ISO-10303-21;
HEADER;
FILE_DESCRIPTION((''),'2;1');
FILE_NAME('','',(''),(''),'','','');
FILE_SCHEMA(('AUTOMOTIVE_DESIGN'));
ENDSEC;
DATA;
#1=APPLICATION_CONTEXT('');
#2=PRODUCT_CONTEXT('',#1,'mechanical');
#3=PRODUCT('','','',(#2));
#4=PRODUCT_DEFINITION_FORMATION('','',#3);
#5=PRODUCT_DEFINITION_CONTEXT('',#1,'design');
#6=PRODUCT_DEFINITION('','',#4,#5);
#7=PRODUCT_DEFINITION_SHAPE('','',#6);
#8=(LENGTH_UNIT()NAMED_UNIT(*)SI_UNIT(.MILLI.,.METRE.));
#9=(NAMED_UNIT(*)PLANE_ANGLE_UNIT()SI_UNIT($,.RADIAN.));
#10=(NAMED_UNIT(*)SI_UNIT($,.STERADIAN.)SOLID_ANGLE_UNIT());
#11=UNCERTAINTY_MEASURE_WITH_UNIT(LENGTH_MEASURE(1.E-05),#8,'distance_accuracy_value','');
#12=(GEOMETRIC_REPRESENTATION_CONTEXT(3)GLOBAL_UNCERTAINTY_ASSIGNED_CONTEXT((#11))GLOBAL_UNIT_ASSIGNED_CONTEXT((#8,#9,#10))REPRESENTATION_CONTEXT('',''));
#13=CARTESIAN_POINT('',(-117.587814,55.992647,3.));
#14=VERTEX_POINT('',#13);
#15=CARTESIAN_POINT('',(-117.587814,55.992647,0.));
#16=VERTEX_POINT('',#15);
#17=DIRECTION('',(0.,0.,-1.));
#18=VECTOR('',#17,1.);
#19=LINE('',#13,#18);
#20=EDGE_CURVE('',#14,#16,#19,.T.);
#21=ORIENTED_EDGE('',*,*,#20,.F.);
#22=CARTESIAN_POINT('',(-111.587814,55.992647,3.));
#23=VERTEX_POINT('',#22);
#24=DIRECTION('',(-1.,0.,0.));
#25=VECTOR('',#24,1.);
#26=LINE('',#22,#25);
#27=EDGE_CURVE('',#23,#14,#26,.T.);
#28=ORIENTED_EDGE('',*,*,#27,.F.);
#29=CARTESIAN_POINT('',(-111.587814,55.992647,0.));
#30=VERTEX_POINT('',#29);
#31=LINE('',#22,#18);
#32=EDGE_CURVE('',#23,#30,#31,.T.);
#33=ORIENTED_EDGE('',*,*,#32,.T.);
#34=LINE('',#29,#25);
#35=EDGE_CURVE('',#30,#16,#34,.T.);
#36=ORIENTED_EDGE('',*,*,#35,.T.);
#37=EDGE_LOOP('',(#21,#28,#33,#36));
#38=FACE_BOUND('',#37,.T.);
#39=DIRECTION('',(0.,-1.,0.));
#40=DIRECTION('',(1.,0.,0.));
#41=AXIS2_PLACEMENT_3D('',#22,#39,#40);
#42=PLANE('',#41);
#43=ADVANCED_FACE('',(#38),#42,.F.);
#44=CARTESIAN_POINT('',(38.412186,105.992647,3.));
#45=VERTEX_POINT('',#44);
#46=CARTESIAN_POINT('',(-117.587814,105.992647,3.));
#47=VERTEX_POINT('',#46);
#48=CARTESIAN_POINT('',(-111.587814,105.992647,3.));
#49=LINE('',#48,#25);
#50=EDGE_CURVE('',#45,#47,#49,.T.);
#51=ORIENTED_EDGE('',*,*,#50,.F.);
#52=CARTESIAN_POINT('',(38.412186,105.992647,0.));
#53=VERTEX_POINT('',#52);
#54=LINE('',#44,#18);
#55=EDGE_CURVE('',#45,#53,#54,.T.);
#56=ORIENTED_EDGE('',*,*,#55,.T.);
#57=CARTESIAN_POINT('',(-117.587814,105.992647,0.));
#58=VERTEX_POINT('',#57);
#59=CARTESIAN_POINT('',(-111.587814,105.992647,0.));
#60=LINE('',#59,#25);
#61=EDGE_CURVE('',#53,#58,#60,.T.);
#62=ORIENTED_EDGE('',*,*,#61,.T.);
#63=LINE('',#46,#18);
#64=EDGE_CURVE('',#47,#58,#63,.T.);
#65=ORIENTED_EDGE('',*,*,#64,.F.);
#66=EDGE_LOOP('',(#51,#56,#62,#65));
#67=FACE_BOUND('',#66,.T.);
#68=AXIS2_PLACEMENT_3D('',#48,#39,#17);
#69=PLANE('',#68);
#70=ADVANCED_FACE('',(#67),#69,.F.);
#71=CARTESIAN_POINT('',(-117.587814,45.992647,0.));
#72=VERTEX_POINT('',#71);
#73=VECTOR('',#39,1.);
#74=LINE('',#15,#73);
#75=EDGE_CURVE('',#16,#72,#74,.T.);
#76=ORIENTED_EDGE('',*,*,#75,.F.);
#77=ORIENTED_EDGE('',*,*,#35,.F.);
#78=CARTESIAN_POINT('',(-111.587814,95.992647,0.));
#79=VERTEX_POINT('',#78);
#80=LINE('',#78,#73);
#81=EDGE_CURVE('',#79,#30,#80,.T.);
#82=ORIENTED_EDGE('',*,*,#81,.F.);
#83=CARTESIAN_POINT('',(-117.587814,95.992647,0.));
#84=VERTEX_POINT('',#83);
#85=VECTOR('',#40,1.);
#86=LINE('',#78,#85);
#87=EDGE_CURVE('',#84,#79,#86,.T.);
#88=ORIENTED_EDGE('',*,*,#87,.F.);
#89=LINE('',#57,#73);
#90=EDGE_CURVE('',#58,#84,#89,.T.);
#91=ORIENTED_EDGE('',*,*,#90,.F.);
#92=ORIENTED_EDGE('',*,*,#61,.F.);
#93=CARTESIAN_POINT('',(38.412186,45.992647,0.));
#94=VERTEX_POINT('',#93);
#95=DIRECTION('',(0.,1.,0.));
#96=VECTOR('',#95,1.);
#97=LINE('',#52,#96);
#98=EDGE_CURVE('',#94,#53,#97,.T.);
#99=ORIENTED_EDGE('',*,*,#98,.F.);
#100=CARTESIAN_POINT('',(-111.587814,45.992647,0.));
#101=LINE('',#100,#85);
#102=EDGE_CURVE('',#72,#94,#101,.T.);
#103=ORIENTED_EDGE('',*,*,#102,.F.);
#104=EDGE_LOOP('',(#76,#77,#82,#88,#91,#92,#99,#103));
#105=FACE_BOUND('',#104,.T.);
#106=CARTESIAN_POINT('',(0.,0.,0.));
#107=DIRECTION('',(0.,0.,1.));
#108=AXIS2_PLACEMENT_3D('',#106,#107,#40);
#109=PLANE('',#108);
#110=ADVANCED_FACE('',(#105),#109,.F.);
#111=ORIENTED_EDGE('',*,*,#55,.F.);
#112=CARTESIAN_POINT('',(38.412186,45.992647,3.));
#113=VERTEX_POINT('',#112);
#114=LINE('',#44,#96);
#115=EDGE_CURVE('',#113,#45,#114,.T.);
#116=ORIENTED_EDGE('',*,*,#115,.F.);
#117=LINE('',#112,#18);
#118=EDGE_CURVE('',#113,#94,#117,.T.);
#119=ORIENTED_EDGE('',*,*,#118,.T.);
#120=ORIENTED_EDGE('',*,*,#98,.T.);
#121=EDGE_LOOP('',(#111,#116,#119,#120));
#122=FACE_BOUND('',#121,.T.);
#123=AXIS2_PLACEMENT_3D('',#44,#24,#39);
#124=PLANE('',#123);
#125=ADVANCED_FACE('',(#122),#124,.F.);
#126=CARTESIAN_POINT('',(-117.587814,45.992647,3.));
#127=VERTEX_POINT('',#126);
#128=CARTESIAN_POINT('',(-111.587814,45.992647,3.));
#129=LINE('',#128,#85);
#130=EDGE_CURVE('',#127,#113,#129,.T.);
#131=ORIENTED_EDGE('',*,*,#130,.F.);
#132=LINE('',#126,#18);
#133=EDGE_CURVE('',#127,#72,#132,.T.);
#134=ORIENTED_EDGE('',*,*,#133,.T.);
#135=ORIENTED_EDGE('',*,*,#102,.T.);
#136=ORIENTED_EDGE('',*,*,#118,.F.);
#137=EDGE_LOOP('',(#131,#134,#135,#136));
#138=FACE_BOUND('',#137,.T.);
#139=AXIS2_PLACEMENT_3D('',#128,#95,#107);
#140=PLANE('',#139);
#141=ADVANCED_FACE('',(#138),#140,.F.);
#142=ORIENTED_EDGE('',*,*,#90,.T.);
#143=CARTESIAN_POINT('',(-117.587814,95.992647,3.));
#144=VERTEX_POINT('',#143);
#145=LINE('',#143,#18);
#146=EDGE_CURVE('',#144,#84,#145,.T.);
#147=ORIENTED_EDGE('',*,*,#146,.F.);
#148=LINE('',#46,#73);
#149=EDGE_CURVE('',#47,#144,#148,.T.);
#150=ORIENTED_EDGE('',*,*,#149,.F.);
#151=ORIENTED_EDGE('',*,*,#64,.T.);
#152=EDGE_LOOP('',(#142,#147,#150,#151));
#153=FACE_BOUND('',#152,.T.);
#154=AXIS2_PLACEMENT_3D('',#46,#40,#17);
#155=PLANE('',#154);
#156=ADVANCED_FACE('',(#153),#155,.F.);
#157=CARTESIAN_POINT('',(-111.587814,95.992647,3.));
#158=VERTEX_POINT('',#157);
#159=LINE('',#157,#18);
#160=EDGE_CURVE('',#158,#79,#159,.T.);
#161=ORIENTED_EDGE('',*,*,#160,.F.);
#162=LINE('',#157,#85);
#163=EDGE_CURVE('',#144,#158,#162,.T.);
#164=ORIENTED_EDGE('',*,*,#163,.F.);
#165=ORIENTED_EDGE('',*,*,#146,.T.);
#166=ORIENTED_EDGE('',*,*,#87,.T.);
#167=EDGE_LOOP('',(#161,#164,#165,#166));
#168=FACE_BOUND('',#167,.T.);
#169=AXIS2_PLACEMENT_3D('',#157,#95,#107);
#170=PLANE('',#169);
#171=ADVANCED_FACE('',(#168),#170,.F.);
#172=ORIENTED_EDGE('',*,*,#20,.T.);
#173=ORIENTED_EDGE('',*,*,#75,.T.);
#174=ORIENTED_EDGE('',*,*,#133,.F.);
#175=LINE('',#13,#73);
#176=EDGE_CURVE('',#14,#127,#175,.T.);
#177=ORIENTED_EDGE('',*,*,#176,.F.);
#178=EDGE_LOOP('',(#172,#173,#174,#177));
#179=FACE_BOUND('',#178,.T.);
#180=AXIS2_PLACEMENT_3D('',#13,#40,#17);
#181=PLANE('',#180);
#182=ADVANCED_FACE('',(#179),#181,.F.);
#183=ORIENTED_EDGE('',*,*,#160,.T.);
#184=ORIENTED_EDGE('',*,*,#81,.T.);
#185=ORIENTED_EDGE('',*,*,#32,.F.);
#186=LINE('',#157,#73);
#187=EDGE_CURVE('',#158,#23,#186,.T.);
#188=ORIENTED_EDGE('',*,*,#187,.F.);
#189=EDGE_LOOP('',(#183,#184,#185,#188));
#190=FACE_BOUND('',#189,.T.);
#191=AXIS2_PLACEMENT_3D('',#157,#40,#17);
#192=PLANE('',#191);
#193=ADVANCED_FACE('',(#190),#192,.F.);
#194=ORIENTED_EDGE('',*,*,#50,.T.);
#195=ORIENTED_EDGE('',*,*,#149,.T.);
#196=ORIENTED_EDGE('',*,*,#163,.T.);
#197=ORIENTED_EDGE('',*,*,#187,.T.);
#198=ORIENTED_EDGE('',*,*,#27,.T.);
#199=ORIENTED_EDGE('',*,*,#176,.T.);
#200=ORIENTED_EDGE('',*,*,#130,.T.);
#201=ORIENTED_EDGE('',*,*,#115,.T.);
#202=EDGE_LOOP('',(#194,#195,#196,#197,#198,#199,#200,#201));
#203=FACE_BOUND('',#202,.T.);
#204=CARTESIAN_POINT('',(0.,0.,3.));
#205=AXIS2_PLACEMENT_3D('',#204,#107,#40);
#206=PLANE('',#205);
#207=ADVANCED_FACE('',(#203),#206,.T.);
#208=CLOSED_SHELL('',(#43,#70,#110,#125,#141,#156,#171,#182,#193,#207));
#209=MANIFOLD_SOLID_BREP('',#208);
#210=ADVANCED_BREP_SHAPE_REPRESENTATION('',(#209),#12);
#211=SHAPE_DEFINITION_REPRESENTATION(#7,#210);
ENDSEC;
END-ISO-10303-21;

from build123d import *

# Parameters (mm, degrees)
BOSS_EXTRU_1_DEPTH = 3


with BuildPart() as part:
    # Esquisse1 → Boss.-Extru.1 (new body)
    with BuildSketch(Plane.XY):
        Polygon((-111.587814085, 105.992647465), (38.412185915, 105.992647465), (38.412185915, 45.992647465), (-111.587814085, 45.992647465), (-117.587814085, 45.992647465), (-117.587814085, 55.992647465), (-111.587814085, 55.992647465), (-111.587814085, 95.992647465), (-117.587814085, 95.992647465), (-117.587814085, 105.992647465), align=None)
    extrude(amount=BOSS_EXTRU_1_DEPTH)


solid = part.part
